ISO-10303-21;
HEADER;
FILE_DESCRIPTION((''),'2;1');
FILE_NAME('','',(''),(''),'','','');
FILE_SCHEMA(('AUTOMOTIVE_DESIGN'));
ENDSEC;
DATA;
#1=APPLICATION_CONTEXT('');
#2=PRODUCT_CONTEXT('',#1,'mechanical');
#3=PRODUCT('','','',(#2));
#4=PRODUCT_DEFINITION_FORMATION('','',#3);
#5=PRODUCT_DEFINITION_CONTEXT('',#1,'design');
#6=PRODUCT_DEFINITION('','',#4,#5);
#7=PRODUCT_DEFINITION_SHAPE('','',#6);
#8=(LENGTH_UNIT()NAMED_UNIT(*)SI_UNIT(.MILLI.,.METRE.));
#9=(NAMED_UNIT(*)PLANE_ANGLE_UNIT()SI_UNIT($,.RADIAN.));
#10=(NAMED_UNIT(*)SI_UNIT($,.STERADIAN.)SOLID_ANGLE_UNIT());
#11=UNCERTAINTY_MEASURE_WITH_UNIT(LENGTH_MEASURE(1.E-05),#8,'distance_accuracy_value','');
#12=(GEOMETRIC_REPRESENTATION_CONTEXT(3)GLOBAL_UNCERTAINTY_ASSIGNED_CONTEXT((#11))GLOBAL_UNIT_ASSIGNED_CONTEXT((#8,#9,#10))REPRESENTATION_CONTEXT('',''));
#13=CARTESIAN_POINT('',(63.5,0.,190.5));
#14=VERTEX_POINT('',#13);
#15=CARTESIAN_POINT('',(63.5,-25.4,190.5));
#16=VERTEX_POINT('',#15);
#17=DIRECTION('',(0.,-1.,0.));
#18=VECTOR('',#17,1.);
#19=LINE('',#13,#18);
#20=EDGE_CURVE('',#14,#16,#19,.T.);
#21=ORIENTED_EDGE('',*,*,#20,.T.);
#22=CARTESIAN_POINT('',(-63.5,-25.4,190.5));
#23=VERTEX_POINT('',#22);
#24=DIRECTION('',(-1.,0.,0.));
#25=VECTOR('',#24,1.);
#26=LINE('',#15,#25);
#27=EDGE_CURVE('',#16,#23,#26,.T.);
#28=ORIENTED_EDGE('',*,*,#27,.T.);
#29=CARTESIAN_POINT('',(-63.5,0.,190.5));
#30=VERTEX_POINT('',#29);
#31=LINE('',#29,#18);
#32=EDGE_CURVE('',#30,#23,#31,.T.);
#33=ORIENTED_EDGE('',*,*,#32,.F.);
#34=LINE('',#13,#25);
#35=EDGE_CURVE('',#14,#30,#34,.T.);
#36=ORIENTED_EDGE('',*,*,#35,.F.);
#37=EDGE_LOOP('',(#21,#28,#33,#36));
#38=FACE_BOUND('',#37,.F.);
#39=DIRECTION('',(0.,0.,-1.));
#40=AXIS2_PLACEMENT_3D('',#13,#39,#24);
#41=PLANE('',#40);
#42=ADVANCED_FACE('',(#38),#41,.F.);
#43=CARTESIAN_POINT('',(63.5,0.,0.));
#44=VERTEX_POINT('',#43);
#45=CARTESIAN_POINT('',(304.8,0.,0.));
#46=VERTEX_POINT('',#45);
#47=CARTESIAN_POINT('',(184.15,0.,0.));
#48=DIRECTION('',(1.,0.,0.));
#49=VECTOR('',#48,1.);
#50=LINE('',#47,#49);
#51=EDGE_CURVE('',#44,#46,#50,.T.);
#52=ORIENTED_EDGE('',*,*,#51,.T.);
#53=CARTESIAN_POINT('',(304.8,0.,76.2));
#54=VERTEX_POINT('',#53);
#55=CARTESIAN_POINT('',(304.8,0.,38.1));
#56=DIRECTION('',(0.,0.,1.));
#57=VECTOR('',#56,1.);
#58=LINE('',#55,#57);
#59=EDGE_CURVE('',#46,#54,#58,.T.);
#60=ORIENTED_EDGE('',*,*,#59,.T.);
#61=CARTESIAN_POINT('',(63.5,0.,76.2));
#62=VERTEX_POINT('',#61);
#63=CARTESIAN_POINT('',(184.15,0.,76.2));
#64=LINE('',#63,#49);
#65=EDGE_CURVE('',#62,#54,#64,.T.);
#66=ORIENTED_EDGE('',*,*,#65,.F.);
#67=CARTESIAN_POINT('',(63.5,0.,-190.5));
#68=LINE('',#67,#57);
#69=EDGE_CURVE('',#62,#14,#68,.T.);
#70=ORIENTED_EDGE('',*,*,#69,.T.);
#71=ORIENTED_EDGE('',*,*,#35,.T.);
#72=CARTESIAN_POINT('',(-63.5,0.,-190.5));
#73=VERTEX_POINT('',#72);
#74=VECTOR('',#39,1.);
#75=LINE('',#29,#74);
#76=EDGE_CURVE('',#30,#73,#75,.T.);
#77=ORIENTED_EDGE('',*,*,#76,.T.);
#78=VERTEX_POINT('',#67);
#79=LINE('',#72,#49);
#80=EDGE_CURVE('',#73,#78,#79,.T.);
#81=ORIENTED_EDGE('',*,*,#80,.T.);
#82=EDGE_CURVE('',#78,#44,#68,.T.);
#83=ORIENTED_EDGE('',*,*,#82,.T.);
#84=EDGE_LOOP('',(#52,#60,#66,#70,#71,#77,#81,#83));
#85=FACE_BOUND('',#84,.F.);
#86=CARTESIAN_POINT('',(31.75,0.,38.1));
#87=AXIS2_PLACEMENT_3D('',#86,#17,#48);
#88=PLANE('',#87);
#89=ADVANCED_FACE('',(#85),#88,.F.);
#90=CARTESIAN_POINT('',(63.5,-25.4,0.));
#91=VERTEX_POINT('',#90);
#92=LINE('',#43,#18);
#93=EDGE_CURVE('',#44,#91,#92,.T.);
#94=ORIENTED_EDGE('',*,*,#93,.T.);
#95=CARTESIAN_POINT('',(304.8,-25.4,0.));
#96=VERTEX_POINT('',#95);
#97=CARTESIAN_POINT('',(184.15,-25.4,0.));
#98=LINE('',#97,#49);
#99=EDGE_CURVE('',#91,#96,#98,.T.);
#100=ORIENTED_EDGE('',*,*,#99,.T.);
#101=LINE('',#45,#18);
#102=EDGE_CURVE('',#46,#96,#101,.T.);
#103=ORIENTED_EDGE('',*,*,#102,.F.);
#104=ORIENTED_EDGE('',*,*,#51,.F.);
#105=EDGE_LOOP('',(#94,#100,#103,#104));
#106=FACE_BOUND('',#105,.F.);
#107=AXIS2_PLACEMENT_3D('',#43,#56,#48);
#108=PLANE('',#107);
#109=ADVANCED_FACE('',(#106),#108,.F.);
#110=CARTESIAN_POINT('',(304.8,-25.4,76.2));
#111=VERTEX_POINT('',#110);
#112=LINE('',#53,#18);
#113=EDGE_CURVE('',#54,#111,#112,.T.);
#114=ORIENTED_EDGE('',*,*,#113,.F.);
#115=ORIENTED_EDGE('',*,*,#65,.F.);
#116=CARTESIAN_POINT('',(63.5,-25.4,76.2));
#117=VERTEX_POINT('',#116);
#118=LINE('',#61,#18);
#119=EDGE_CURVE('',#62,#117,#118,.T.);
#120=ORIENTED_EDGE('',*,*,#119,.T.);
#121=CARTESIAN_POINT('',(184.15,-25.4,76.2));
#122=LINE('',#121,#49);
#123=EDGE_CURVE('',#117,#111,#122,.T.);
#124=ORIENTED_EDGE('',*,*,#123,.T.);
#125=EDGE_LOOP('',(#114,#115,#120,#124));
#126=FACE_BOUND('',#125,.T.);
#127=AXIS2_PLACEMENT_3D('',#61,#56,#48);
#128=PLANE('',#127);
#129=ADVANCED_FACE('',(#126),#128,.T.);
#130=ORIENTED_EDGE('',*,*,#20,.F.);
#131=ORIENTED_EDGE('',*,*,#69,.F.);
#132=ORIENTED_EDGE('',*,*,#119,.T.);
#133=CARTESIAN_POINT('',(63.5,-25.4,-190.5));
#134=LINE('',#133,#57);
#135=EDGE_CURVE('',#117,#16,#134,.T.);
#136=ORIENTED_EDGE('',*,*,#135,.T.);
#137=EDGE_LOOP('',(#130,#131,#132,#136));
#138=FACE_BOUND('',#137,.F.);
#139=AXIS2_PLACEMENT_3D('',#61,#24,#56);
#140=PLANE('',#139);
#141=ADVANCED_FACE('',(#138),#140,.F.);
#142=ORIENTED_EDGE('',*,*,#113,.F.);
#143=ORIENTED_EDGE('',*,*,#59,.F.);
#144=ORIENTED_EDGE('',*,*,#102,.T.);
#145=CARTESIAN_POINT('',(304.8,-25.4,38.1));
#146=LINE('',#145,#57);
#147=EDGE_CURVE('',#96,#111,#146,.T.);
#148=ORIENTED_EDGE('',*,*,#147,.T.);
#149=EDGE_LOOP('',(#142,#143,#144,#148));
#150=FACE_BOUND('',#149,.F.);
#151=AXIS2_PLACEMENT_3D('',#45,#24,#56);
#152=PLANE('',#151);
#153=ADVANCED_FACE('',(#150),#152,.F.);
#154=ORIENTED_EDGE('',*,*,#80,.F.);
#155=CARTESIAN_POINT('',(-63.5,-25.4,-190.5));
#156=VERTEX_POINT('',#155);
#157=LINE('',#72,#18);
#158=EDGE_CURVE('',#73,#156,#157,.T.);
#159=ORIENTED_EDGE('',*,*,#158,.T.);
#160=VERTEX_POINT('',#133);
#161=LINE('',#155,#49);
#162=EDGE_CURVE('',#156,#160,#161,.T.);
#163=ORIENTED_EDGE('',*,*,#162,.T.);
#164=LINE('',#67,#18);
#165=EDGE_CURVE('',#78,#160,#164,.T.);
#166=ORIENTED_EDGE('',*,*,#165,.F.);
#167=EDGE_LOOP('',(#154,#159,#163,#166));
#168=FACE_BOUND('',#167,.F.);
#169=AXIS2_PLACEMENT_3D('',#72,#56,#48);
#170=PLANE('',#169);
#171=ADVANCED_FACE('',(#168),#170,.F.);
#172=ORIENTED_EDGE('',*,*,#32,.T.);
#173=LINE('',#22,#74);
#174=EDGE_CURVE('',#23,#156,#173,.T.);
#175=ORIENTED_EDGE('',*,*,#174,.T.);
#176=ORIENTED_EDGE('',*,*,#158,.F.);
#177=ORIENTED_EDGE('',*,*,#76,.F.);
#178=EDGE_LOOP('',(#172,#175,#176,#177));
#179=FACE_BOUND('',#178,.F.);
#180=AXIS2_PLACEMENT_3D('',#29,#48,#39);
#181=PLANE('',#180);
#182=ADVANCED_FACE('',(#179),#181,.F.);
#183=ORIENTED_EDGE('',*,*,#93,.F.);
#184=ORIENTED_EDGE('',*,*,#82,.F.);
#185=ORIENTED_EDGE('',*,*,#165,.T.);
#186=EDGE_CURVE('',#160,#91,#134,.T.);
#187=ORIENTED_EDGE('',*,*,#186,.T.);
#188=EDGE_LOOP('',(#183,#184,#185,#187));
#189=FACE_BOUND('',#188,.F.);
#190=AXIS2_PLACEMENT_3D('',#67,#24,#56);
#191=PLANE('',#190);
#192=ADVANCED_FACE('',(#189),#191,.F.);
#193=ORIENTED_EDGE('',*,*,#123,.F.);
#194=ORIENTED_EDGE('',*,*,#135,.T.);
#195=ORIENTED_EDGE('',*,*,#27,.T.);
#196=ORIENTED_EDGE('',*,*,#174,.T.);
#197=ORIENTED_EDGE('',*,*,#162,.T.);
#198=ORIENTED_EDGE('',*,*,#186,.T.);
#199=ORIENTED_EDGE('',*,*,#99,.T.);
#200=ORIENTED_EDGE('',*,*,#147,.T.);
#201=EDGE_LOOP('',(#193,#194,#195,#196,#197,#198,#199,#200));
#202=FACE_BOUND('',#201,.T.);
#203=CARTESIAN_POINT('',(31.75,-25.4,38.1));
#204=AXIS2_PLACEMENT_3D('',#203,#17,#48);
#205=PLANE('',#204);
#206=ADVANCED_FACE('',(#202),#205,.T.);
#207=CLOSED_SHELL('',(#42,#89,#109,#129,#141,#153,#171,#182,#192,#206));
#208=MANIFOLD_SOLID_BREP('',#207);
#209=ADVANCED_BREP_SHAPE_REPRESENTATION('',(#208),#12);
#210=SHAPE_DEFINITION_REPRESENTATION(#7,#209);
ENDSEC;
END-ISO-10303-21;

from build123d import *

# Parameters (mm, degrees)
F0_W     = 63.5
F0_H     = 76.2
F0_W_2   = 241.3
F1_DEPTH = 25.4


with BuildPart() as f1:
    # F0 (on Front) → F1 (new body)
    with BuildSketch(Plane.XZ):
        with Locations((31.75, 38.1)):
            Rectangle(F0_W, F0_H)
        Polygon((63.5, 0), (0, 0), (0, 76.2), (63.5, 76.2), (63.5, 190.5), (-63.5, 190.5), (-63.5, -190.5), (63.5, -190.5), align=None)
        with Locations((184.15, 38.1)):
            Rectangle(F0_W_2, F0_H)
    extrude(amount=F1_DEPTH)


solid = f1.part
